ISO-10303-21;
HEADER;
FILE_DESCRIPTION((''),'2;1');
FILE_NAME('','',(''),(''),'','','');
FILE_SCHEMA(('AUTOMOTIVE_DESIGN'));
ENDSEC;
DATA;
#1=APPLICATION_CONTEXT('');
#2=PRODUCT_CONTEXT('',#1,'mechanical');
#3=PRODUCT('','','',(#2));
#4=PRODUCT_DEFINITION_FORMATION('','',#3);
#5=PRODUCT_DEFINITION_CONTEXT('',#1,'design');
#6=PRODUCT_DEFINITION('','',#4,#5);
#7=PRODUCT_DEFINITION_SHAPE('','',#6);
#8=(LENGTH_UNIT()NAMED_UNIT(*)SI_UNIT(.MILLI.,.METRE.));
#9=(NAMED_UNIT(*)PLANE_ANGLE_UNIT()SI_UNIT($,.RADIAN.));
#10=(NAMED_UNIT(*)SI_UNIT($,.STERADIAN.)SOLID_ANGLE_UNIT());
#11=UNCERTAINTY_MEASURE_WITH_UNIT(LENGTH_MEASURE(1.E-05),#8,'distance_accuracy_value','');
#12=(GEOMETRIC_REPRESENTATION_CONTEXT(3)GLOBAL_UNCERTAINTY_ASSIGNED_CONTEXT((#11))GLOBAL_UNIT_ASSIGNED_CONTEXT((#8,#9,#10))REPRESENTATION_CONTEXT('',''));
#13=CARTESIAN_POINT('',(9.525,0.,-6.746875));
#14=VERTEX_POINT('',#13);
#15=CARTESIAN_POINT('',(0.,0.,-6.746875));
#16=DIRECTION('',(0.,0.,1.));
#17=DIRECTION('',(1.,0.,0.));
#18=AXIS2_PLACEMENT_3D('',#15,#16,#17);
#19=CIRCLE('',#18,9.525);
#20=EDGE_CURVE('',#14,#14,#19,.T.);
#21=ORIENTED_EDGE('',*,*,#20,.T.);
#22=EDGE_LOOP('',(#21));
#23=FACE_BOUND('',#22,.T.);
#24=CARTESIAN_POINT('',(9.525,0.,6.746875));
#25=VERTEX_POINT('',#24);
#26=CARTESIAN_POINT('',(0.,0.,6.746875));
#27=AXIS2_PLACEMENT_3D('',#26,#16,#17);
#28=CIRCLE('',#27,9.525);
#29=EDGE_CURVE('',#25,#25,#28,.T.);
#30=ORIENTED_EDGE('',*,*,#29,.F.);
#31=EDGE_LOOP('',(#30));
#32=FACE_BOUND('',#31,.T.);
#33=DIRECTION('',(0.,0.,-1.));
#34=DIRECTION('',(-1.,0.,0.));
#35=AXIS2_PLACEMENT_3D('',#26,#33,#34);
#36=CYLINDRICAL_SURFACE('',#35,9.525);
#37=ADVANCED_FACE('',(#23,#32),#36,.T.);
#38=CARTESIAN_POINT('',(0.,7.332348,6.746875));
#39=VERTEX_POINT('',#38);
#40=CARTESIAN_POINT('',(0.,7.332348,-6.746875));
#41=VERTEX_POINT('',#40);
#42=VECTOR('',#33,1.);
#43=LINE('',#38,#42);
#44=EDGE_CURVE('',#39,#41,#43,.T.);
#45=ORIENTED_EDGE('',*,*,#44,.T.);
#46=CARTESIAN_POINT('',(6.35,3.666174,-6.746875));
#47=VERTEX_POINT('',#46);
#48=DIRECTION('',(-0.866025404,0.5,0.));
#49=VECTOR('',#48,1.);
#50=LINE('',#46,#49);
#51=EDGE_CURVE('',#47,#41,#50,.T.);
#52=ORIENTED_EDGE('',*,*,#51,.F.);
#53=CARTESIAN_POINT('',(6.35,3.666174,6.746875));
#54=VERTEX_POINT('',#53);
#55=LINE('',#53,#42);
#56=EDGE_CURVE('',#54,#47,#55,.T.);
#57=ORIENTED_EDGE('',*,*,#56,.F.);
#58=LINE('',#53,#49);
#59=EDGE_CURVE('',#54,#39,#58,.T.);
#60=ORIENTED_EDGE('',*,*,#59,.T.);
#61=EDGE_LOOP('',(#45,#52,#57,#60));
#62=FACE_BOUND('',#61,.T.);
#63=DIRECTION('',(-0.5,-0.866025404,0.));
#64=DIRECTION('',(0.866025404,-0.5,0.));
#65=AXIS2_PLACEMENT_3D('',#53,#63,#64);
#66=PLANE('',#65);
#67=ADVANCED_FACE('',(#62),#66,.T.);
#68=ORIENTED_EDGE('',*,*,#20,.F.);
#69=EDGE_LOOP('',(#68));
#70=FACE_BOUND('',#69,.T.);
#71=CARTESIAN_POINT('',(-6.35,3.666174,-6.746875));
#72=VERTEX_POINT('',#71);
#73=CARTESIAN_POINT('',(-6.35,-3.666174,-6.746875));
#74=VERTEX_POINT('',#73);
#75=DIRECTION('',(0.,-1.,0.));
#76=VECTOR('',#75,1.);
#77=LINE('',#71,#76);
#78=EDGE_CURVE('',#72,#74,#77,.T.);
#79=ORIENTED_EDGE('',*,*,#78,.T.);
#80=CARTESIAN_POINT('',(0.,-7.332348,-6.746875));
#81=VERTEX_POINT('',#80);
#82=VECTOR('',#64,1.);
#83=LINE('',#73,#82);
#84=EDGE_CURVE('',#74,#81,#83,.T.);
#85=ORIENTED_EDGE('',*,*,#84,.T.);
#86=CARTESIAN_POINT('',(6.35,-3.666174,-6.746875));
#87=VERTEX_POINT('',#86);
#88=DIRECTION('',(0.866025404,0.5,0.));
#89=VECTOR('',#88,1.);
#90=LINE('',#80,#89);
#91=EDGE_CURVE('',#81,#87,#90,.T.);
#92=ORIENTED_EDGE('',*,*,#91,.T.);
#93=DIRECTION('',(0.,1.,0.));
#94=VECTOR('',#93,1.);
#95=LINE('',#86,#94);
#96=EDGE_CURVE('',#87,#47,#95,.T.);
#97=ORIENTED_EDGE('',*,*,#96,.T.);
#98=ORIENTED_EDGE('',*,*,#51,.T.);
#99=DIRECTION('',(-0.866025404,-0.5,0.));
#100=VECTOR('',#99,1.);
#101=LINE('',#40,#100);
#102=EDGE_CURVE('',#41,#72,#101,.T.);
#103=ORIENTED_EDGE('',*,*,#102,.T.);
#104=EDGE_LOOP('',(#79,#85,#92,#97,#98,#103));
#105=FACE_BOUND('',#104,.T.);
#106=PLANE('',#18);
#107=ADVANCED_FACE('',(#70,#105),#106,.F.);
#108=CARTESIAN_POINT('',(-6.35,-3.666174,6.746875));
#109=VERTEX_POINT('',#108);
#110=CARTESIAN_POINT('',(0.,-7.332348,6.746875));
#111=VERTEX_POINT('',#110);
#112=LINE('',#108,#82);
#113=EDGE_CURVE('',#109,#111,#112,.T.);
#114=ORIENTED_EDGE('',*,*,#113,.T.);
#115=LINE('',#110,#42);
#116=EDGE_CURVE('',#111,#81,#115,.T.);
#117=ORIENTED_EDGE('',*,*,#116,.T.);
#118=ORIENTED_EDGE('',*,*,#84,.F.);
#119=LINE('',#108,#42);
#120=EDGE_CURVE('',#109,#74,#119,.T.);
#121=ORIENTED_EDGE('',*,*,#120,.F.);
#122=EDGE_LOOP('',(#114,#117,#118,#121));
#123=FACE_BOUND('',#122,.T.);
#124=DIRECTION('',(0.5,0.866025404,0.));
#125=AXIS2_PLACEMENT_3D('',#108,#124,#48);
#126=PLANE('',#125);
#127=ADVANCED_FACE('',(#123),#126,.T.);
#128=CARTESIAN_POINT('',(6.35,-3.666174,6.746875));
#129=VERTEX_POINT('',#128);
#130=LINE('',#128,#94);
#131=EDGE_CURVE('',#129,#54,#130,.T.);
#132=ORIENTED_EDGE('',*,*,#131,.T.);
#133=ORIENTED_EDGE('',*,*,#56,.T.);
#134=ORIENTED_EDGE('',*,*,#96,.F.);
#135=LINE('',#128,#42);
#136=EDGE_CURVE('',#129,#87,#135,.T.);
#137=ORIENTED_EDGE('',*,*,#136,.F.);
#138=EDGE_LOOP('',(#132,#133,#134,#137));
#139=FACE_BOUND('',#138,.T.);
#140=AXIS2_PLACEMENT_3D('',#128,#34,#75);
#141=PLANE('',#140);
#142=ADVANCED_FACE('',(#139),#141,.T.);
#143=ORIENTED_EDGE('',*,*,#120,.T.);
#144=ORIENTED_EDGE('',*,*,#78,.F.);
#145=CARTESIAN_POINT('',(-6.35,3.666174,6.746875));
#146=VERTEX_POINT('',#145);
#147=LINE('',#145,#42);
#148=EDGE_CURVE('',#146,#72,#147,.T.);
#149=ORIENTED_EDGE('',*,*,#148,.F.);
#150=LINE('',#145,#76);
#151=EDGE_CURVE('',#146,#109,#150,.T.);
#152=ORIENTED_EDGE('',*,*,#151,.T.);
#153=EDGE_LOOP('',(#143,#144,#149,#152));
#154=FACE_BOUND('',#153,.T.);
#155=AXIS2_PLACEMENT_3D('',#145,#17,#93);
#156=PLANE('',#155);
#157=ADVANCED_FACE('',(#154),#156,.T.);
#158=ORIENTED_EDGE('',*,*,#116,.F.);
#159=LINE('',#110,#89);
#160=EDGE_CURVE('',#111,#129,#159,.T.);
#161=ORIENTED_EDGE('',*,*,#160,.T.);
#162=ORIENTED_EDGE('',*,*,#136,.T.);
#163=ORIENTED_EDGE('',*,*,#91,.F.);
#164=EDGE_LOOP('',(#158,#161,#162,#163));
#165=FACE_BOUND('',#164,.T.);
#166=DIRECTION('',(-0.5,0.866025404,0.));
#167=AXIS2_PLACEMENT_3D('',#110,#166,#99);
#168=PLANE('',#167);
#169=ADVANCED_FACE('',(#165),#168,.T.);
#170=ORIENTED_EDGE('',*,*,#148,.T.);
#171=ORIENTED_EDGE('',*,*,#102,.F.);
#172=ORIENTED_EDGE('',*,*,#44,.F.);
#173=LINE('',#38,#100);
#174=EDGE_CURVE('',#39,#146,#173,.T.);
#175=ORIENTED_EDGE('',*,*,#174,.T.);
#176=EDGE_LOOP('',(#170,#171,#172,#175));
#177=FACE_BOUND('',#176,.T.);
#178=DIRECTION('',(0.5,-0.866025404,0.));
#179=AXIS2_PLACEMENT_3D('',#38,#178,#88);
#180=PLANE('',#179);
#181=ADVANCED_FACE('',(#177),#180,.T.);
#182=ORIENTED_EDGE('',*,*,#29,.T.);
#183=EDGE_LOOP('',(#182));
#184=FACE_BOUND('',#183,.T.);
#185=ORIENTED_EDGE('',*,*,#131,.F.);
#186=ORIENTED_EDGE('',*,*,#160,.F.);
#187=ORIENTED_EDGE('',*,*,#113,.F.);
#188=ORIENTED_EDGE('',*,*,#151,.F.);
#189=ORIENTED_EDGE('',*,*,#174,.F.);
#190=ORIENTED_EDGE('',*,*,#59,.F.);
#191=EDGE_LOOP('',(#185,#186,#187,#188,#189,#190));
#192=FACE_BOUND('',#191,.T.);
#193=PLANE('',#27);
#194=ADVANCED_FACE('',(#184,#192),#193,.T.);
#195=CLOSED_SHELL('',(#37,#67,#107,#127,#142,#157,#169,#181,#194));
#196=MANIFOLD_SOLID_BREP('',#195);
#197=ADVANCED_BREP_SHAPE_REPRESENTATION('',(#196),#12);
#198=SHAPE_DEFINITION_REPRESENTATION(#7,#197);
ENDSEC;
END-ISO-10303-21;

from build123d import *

# Parameters (mm, degrees)
SKETCH1_R           = 9.525
BOSS_EXTRUDE1_DEPTH = 6.746875


with BuildPart() as part:
    # Sketch1 → Boss-Extrude1 (new, symmetric)
    with BuildSketch(Plane.XY):
        Circle(SKETCH1_R)
        Polygon((0, 7.332348419), (-6.35, 3.666174209), (-6.35, -3.666174209), (0, -7.332348419), (6.35, -3.666174209), (6.35, 3.666174209), align=None, mode=Mode.SUBTRACT)
    extrude(amount=BOSS_EXTRUDE1_DEPTH, both=True)


solid = part.part
